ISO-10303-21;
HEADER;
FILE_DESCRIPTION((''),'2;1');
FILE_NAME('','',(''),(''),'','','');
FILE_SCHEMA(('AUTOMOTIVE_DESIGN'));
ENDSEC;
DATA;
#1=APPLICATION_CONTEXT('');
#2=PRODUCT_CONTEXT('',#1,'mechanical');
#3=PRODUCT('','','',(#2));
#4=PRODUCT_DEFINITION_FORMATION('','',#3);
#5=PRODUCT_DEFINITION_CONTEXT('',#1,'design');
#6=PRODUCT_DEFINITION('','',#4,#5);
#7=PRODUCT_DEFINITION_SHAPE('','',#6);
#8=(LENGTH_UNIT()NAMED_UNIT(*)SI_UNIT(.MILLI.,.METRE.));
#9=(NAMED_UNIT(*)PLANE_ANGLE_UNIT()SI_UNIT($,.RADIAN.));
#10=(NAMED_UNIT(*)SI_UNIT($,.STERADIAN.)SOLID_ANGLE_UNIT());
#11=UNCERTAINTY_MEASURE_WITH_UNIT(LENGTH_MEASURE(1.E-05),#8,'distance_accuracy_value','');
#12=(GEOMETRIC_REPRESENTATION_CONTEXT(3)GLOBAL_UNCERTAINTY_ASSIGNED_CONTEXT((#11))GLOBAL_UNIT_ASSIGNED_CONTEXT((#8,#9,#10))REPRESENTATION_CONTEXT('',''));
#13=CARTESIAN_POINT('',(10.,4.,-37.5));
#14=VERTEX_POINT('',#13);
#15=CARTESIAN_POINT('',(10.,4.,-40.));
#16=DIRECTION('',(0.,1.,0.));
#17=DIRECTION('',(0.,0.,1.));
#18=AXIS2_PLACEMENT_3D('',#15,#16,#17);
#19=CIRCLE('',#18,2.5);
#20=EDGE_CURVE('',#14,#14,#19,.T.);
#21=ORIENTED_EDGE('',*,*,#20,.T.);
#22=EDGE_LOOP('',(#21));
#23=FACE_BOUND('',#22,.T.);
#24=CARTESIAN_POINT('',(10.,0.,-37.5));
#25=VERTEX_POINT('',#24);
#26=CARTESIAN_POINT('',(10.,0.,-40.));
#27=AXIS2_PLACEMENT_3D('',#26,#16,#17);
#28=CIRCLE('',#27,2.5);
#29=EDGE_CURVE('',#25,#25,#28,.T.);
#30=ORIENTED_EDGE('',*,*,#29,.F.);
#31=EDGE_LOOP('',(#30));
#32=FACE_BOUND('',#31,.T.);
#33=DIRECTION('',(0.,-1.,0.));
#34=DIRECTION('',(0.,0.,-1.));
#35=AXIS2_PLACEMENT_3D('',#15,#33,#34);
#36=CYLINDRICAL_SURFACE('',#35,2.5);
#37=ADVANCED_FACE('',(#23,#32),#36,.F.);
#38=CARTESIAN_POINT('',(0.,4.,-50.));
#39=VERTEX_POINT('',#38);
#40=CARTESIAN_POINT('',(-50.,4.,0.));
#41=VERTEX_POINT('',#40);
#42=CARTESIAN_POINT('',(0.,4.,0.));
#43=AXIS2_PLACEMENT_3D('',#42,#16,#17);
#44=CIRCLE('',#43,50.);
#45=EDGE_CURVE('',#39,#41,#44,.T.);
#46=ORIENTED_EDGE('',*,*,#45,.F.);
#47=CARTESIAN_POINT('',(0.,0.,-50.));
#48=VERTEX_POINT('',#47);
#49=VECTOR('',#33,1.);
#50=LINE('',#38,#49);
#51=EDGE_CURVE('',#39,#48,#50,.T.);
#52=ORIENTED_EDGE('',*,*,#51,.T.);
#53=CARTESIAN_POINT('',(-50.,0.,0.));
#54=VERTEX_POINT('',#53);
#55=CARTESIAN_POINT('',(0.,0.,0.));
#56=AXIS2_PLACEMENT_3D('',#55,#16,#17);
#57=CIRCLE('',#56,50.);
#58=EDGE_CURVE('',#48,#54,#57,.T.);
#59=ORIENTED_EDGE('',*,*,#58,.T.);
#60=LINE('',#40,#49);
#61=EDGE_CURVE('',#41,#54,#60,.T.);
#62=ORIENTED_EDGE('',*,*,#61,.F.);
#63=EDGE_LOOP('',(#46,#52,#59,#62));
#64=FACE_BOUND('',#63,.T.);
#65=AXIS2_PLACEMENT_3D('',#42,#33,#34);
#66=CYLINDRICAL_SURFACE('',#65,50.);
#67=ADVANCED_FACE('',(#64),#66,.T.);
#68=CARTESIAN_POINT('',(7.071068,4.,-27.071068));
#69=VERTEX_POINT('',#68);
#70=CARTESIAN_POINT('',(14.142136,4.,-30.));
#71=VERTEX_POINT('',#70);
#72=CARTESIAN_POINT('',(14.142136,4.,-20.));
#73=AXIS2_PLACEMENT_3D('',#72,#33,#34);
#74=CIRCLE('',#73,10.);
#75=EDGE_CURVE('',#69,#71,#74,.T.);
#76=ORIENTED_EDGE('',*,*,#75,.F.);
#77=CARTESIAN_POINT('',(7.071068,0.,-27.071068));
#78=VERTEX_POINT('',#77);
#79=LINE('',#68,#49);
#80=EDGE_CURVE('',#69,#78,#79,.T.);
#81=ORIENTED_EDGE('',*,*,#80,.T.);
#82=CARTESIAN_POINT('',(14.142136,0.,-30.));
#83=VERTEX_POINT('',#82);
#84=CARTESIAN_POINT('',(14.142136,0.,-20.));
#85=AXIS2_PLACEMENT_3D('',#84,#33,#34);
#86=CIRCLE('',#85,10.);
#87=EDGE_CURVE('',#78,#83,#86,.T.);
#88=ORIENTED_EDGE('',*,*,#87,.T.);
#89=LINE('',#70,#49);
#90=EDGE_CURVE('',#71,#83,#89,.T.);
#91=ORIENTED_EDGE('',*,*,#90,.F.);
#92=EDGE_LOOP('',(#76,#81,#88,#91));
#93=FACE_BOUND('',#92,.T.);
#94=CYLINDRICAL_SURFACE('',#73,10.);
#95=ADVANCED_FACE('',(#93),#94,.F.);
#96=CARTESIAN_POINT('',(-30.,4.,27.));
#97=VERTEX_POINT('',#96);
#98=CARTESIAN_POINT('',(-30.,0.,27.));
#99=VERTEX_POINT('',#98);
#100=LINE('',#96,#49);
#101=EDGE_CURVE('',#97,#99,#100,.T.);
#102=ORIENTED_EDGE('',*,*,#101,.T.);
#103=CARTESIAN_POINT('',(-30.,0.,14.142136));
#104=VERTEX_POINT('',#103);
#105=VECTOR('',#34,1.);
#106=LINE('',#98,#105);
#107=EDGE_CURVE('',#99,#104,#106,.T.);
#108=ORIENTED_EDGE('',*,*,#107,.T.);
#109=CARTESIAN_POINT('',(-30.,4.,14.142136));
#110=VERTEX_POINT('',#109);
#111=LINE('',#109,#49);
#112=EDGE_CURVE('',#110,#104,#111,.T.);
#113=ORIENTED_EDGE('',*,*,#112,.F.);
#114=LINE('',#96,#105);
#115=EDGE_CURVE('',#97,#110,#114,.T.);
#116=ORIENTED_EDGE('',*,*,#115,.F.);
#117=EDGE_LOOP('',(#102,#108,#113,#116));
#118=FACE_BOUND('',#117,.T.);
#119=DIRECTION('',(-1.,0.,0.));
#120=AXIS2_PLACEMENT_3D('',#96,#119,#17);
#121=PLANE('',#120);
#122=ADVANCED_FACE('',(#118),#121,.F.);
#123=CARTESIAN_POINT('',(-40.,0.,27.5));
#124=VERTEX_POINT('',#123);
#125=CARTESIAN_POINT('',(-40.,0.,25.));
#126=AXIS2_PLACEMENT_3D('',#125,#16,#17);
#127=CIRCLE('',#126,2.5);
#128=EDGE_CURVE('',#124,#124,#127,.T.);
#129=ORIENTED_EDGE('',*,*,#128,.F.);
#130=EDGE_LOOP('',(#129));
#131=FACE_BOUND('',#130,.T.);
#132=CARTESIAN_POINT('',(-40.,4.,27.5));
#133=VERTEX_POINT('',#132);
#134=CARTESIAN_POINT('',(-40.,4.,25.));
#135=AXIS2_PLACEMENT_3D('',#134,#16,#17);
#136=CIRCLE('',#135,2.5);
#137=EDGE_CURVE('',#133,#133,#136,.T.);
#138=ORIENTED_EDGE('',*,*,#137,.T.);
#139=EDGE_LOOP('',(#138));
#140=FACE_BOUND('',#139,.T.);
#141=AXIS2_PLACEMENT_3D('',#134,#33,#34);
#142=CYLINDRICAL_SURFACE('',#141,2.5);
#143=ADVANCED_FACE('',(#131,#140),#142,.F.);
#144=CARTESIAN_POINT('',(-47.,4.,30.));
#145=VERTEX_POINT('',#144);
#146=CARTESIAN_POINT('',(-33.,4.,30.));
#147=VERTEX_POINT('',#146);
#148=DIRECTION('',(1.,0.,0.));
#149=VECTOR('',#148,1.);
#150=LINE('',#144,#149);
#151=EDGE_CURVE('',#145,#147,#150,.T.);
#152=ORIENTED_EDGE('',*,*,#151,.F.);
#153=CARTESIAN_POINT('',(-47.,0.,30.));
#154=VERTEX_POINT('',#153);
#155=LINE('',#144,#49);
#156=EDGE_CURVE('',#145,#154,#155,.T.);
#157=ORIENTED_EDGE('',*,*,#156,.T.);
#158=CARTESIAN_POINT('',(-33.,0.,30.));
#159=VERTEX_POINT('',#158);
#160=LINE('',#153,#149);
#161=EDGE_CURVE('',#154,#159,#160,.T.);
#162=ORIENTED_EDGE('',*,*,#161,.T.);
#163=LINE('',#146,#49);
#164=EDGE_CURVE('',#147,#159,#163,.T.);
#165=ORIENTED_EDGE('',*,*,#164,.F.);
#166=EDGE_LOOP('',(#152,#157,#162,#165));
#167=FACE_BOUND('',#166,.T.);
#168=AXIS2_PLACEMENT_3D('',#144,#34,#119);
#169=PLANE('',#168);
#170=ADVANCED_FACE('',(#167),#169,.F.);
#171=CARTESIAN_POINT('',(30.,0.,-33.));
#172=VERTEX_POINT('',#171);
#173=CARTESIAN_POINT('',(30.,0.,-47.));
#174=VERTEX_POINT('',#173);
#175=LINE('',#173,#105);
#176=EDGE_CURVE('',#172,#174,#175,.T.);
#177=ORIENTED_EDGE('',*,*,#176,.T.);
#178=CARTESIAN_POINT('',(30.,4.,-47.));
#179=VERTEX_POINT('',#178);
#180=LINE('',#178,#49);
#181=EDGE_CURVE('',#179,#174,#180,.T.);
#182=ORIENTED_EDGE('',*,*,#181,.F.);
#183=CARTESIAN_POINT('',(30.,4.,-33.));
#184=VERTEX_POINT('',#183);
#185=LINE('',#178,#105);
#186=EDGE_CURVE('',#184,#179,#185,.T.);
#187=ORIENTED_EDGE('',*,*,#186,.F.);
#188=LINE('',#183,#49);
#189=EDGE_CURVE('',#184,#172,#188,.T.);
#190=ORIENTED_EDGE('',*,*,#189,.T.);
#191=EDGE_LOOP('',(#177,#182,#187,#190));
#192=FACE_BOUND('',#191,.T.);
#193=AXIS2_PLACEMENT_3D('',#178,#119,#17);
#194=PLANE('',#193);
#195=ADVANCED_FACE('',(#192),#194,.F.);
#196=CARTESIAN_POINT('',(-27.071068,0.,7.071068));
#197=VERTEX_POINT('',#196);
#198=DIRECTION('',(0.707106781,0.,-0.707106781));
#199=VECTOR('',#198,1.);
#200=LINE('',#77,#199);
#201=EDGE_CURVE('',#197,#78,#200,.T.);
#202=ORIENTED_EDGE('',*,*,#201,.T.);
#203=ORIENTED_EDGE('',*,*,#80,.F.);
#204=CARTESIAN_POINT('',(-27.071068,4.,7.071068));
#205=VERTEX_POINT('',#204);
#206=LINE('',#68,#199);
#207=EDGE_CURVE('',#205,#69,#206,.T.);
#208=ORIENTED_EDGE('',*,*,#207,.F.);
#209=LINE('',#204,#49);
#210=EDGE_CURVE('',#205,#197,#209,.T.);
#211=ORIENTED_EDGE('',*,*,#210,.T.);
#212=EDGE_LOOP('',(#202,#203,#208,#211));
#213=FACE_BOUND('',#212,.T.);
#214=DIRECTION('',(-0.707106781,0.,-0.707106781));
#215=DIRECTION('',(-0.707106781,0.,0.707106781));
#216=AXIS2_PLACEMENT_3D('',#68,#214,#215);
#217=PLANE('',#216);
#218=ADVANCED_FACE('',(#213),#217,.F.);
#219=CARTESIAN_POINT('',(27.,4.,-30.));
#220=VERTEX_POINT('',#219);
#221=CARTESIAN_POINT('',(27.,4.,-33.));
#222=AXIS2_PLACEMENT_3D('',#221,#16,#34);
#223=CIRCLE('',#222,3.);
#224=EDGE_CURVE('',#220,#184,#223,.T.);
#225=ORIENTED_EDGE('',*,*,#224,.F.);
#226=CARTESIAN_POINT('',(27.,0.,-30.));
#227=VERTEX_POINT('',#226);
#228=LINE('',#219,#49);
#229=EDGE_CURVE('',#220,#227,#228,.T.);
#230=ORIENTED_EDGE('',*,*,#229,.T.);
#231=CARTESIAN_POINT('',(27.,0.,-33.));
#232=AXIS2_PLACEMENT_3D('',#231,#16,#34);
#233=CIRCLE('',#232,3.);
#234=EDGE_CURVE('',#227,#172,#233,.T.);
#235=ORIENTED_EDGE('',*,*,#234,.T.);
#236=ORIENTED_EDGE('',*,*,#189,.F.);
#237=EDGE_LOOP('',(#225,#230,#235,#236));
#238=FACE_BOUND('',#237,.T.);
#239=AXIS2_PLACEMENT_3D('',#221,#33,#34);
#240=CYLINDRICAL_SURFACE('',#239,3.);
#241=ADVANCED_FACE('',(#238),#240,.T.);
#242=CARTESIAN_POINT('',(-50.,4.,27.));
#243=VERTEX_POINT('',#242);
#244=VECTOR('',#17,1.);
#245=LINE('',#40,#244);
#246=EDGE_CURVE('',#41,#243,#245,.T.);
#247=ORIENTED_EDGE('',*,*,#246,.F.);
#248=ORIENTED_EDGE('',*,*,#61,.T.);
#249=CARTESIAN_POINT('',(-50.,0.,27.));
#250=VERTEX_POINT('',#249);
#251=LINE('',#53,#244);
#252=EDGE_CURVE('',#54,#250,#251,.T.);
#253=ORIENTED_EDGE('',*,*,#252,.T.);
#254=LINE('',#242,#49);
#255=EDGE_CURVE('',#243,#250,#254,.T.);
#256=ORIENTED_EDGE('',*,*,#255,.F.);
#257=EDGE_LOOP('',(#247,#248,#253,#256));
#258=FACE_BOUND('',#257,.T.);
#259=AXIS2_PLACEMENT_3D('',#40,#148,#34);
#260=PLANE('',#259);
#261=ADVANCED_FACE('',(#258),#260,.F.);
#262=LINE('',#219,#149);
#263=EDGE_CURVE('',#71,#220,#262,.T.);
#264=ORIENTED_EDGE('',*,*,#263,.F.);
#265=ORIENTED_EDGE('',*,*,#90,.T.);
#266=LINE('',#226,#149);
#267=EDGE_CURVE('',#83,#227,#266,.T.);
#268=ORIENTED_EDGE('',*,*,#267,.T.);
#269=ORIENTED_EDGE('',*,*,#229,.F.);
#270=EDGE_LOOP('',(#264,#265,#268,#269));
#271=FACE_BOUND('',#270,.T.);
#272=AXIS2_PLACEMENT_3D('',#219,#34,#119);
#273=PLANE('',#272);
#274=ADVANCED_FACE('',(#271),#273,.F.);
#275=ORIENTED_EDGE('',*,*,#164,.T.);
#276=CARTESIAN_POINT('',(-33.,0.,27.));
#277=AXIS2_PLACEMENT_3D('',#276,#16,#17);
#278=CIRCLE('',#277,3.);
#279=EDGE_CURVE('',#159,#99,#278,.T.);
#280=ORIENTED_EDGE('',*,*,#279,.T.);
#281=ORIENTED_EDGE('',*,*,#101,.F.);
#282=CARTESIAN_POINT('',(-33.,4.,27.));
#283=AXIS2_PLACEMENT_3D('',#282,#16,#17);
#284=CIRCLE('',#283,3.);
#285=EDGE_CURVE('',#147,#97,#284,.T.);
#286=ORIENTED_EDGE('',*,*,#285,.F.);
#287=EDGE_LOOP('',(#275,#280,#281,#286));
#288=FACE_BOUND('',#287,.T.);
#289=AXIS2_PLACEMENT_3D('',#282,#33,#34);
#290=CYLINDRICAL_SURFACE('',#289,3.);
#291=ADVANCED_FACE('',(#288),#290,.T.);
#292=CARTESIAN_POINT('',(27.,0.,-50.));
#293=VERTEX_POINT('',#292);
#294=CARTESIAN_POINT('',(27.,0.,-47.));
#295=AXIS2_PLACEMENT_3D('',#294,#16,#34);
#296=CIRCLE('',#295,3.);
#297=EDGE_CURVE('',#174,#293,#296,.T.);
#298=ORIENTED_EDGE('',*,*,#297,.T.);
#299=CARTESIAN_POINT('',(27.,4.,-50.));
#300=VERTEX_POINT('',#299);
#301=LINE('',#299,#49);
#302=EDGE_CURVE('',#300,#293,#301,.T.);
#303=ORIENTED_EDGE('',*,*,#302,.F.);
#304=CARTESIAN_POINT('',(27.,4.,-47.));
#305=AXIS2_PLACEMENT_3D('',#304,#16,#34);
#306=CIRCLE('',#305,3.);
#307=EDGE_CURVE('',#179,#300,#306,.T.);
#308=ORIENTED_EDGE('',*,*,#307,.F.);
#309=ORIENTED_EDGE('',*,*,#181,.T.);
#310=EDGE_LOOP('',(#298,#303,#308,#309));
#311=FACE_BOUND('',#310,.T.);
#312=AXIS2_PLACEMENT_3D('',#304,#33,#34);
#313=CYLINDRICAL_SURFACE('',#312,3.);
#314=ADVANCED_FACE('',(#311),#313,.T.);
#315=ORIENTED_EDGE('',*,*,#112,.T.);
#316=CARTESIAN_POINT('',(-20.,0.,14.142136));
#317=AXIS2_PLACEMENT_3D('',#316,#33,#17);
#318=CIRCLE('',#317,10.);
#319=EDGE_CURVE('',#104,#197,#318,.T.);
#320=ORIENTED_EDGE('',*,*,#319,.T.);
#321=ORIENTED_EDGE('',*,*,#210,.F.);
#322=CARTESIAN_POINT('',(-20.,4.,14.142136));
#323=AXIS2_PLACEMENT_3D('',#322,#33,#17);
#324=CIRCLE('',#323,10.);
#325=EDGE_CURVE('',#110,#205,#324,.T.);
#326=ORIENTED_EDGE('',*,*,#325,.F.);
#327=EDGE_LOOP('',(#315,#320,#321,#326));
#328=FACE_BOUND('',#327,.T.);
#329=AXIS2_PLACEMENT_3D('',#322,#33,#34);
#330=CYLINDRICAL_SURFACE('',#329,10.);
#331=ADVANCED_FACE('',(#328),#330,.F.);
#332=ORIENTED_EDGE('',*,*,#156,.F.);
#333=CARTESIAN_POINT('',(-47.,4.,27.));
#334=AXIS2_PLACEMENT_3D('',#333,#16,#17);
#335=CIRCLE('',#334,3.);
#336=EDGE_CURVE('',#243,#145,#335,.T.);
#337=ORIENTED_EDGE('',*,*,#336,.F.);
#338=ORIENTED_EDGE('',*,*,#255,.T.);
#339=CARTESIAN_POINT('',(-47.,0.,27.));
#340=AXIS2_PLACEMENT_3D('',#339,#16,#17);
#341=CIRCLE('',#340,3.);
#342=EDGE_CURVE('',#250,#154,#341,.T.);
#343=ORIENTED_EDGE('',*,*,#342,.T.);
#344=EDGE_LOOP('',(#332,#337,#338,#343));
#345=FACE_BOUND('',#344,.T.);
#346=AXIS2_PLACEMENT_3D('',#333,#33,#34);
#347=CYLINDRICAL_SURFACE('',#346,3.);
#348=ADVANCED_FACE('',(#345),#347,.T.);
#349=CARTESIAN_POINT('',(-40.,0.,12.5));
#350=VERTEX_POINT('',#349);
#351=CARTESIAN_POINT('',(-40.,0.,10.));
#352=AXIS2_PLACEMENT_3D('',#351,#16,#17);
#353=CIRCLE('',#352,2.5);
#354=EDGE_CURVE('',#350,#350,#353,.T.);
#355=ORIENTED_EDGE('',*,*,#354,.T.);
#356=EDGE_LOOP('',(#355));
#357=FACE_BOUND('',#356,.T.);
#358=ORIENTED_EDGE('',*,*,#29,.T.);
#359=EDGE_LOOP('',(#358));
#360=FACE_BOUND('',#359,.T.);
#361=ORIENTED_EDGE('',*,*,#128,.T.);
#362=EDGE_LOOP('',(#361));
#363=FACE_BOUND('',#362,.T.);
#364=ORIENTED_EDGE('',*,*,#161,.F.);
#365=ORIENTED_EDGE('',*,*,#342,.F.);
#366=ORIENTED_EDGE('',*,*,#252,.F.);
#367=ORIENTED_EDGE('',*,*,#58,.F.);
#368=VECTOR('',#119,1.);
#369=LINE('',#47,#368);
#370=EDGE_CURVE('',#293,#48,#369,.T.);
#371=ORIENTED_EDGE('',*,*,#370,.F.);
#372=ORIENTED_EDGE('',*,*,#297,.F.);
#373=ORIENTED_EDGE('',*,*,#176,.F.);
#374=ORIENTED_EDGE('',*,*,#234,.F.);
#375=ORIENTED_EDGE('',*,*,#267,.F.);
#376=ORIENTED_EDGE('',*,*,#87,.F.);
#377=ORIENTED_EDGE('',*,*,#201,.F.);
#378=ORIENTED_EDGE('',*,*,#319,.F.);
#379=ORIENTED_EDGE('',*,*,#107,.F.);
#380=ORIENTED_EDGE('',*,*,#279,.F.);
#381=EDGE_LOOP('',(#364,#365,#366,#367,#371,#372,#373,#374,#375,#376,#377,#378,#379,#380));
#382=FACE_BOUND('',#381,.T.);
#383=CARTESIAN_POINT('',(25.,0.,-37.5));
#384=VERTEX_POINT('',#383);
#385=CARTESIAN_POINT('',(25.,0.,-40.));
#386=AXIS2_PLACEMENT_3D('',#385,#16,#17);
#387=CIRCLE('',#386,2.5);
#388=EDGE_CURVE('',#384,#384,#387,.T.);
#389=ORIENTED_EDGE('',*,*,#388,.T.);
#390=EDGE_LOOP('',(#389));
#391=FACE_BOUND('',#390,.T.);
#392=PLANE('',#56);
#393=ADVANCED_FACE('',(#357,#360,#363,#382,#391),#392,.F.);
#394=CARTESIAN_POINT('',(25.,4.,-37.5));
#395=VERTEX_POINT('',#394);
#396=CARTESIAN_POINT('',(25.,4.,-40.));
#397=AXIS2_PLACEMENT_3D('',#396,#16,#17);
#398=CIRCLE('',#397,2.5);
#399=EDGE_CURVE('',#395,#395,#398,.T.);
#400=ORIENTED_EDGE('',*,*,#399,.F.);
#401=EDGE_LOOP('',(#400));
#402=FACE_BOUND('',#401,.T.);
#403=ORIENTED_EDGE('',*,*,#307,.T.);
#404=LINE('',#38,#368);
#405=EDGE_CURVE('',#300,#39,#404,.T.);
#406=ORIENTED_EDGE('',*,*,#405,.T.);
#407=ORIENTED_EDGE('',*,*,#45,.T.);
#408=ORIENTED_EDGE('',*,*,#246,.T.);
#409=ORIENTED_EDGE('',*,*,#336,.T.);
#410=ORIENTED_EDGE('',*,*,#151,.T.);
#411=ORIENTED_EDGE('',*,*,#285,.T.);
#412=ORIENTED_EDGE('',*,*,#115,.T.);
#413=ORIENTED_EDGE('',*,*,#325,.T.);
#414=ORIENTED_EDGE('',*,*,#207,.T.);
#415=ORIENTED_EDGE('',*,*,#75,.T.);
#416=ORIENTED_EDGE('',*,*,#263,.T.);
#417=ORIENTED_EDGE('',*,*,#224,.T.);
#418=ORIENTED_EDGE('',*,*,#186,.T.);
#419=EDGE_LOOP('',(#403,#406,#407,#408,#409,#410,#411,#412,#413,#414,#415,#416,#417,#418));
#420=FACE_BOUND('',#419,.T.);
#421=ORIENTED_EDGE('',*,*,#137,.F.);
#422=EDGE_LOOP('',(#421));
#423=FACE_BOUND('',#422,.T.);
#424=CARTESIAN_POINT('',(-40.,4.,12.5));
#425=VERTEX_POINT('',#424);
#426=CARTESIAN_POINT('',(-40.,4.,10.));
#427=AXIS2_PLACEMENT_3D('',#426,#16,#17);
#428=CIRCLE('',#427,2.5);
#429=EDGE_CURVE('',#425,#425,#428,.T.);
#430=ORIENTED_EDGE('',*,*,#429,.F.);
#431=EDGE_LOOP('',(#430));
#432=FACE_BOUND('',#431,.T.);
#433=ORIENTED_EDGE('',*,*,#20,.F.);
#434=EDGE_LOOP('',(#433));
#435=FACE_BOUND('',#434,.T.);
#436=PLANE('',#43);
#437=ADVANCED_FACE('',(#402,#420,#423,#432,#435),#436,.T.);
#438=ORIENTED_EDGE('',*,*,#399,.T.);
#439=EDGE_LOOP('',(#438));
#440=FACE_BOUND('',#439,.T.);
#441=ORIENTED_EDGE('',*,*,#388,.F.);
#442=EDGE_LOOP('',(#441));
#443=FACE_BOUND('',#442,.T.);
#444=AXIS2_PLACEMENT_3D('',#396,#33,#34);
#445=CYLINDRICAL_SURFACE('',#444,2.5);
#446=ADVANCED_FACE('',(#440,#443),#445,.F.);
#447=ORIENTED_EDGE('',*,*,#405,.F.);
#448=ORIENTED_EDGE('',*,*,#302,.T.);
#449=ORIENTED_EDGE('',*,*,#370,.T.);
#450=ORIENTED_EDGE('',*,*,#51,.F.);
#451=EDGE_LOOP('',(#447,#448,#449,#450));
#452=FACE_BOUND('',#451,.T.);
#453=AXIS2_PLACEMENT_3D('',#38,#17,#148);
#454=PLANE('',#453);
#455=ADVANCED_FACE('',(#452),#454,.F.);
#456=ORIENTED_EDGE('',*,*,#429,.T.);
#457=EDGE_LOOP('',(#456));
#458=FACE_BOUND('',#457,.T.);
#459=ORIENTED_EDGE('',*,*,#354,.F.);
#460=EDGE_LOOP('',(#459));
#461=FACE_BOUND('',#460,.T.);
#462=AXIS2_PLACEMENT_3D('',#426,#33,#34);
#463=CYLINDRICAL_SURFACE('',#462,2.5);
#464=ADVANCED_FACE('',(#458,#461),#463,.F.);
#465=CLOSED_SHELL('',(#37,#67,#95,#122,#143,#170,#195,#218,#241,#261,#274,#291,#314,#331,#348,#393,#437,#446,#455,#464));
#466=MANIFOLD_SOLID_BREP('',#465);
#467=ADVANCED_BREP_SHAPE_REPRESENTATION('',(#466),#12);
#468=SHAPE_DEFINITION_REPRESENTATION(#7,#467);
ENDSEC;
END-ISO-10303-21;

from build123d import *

# Parameters (mm, degrees)
SKETCH1_R           = 2.5
BOSS_EXTRUDE1_DEPTH = 4


with BuildPart() as part:
    # Sketch1 → Boss-Extrude1 (new body)
    with BuildSketch(Plane(origin=(0, 0, 0), x_dir=(1, 0, 0), z_dir=(0, 1, 0))):
        with BuildLine():
            Line((-50, 0), (-50, -27))
            ThreePointArc((-50, -27), (-49.121320344, -29.121320344), (-47, -30))
            Line((-47, -30), (-33, -30))
            ThreePointArc((-33, -30), (-30.878679656, -29.121320344), (-30, -27))
            Line((-30, -27), (-30, -14.142135624))
            ThreePointArc((-30, -14.142135624), (-29.238795325, -10.3153013), (-27.071067812, -7.071067812))
            Line((-27.071067812, -7.071067812), (7.071067812, 27.071067812))
            ThreePointArc((7.071067812, 27.071067812), (10.3153013, 29.238795325), (14.142135624, 30))
            Line((14.142135624, 30), (27, 30))
            ThreePointArc((27, 30), (29.121320344, 30.878679656), (30, 33))
            Line((30, 33), (30, 47))
            ThreePointArc((30, 47), (29.121320344, 49.121320344), (27, 50))
            Line((27, 50), (0, 50))
            ThreePointArc((0, 50), (-35.355339059, 35.355339059), (-50, 0))
        make_face()
        with Locations(Location((-40, -10, 0), (0, 0, 270))):
            Circle(SKETCH1_R, mode=Mode.SUBTRACT)
        with Locations(Location((-40, -25, 0), (0, 0, 270))):
            Circle(SKETCH1_R, mode=Mode.SUBTRACT)
        with Locations(Location((10, 40, 0), (0, 0, 270))):
            Circle(SKETCH1_R, mode=Mode.SUBTRACT)
        with Locations(Location((25, 40, 0), (0, 0, 270))):
            Circle(SKETCH1_R, mode=Mode.SUBTRACT)
    extrude(amount=BOSS_EXTRUDE1_DEPTH)


solid = part.part
